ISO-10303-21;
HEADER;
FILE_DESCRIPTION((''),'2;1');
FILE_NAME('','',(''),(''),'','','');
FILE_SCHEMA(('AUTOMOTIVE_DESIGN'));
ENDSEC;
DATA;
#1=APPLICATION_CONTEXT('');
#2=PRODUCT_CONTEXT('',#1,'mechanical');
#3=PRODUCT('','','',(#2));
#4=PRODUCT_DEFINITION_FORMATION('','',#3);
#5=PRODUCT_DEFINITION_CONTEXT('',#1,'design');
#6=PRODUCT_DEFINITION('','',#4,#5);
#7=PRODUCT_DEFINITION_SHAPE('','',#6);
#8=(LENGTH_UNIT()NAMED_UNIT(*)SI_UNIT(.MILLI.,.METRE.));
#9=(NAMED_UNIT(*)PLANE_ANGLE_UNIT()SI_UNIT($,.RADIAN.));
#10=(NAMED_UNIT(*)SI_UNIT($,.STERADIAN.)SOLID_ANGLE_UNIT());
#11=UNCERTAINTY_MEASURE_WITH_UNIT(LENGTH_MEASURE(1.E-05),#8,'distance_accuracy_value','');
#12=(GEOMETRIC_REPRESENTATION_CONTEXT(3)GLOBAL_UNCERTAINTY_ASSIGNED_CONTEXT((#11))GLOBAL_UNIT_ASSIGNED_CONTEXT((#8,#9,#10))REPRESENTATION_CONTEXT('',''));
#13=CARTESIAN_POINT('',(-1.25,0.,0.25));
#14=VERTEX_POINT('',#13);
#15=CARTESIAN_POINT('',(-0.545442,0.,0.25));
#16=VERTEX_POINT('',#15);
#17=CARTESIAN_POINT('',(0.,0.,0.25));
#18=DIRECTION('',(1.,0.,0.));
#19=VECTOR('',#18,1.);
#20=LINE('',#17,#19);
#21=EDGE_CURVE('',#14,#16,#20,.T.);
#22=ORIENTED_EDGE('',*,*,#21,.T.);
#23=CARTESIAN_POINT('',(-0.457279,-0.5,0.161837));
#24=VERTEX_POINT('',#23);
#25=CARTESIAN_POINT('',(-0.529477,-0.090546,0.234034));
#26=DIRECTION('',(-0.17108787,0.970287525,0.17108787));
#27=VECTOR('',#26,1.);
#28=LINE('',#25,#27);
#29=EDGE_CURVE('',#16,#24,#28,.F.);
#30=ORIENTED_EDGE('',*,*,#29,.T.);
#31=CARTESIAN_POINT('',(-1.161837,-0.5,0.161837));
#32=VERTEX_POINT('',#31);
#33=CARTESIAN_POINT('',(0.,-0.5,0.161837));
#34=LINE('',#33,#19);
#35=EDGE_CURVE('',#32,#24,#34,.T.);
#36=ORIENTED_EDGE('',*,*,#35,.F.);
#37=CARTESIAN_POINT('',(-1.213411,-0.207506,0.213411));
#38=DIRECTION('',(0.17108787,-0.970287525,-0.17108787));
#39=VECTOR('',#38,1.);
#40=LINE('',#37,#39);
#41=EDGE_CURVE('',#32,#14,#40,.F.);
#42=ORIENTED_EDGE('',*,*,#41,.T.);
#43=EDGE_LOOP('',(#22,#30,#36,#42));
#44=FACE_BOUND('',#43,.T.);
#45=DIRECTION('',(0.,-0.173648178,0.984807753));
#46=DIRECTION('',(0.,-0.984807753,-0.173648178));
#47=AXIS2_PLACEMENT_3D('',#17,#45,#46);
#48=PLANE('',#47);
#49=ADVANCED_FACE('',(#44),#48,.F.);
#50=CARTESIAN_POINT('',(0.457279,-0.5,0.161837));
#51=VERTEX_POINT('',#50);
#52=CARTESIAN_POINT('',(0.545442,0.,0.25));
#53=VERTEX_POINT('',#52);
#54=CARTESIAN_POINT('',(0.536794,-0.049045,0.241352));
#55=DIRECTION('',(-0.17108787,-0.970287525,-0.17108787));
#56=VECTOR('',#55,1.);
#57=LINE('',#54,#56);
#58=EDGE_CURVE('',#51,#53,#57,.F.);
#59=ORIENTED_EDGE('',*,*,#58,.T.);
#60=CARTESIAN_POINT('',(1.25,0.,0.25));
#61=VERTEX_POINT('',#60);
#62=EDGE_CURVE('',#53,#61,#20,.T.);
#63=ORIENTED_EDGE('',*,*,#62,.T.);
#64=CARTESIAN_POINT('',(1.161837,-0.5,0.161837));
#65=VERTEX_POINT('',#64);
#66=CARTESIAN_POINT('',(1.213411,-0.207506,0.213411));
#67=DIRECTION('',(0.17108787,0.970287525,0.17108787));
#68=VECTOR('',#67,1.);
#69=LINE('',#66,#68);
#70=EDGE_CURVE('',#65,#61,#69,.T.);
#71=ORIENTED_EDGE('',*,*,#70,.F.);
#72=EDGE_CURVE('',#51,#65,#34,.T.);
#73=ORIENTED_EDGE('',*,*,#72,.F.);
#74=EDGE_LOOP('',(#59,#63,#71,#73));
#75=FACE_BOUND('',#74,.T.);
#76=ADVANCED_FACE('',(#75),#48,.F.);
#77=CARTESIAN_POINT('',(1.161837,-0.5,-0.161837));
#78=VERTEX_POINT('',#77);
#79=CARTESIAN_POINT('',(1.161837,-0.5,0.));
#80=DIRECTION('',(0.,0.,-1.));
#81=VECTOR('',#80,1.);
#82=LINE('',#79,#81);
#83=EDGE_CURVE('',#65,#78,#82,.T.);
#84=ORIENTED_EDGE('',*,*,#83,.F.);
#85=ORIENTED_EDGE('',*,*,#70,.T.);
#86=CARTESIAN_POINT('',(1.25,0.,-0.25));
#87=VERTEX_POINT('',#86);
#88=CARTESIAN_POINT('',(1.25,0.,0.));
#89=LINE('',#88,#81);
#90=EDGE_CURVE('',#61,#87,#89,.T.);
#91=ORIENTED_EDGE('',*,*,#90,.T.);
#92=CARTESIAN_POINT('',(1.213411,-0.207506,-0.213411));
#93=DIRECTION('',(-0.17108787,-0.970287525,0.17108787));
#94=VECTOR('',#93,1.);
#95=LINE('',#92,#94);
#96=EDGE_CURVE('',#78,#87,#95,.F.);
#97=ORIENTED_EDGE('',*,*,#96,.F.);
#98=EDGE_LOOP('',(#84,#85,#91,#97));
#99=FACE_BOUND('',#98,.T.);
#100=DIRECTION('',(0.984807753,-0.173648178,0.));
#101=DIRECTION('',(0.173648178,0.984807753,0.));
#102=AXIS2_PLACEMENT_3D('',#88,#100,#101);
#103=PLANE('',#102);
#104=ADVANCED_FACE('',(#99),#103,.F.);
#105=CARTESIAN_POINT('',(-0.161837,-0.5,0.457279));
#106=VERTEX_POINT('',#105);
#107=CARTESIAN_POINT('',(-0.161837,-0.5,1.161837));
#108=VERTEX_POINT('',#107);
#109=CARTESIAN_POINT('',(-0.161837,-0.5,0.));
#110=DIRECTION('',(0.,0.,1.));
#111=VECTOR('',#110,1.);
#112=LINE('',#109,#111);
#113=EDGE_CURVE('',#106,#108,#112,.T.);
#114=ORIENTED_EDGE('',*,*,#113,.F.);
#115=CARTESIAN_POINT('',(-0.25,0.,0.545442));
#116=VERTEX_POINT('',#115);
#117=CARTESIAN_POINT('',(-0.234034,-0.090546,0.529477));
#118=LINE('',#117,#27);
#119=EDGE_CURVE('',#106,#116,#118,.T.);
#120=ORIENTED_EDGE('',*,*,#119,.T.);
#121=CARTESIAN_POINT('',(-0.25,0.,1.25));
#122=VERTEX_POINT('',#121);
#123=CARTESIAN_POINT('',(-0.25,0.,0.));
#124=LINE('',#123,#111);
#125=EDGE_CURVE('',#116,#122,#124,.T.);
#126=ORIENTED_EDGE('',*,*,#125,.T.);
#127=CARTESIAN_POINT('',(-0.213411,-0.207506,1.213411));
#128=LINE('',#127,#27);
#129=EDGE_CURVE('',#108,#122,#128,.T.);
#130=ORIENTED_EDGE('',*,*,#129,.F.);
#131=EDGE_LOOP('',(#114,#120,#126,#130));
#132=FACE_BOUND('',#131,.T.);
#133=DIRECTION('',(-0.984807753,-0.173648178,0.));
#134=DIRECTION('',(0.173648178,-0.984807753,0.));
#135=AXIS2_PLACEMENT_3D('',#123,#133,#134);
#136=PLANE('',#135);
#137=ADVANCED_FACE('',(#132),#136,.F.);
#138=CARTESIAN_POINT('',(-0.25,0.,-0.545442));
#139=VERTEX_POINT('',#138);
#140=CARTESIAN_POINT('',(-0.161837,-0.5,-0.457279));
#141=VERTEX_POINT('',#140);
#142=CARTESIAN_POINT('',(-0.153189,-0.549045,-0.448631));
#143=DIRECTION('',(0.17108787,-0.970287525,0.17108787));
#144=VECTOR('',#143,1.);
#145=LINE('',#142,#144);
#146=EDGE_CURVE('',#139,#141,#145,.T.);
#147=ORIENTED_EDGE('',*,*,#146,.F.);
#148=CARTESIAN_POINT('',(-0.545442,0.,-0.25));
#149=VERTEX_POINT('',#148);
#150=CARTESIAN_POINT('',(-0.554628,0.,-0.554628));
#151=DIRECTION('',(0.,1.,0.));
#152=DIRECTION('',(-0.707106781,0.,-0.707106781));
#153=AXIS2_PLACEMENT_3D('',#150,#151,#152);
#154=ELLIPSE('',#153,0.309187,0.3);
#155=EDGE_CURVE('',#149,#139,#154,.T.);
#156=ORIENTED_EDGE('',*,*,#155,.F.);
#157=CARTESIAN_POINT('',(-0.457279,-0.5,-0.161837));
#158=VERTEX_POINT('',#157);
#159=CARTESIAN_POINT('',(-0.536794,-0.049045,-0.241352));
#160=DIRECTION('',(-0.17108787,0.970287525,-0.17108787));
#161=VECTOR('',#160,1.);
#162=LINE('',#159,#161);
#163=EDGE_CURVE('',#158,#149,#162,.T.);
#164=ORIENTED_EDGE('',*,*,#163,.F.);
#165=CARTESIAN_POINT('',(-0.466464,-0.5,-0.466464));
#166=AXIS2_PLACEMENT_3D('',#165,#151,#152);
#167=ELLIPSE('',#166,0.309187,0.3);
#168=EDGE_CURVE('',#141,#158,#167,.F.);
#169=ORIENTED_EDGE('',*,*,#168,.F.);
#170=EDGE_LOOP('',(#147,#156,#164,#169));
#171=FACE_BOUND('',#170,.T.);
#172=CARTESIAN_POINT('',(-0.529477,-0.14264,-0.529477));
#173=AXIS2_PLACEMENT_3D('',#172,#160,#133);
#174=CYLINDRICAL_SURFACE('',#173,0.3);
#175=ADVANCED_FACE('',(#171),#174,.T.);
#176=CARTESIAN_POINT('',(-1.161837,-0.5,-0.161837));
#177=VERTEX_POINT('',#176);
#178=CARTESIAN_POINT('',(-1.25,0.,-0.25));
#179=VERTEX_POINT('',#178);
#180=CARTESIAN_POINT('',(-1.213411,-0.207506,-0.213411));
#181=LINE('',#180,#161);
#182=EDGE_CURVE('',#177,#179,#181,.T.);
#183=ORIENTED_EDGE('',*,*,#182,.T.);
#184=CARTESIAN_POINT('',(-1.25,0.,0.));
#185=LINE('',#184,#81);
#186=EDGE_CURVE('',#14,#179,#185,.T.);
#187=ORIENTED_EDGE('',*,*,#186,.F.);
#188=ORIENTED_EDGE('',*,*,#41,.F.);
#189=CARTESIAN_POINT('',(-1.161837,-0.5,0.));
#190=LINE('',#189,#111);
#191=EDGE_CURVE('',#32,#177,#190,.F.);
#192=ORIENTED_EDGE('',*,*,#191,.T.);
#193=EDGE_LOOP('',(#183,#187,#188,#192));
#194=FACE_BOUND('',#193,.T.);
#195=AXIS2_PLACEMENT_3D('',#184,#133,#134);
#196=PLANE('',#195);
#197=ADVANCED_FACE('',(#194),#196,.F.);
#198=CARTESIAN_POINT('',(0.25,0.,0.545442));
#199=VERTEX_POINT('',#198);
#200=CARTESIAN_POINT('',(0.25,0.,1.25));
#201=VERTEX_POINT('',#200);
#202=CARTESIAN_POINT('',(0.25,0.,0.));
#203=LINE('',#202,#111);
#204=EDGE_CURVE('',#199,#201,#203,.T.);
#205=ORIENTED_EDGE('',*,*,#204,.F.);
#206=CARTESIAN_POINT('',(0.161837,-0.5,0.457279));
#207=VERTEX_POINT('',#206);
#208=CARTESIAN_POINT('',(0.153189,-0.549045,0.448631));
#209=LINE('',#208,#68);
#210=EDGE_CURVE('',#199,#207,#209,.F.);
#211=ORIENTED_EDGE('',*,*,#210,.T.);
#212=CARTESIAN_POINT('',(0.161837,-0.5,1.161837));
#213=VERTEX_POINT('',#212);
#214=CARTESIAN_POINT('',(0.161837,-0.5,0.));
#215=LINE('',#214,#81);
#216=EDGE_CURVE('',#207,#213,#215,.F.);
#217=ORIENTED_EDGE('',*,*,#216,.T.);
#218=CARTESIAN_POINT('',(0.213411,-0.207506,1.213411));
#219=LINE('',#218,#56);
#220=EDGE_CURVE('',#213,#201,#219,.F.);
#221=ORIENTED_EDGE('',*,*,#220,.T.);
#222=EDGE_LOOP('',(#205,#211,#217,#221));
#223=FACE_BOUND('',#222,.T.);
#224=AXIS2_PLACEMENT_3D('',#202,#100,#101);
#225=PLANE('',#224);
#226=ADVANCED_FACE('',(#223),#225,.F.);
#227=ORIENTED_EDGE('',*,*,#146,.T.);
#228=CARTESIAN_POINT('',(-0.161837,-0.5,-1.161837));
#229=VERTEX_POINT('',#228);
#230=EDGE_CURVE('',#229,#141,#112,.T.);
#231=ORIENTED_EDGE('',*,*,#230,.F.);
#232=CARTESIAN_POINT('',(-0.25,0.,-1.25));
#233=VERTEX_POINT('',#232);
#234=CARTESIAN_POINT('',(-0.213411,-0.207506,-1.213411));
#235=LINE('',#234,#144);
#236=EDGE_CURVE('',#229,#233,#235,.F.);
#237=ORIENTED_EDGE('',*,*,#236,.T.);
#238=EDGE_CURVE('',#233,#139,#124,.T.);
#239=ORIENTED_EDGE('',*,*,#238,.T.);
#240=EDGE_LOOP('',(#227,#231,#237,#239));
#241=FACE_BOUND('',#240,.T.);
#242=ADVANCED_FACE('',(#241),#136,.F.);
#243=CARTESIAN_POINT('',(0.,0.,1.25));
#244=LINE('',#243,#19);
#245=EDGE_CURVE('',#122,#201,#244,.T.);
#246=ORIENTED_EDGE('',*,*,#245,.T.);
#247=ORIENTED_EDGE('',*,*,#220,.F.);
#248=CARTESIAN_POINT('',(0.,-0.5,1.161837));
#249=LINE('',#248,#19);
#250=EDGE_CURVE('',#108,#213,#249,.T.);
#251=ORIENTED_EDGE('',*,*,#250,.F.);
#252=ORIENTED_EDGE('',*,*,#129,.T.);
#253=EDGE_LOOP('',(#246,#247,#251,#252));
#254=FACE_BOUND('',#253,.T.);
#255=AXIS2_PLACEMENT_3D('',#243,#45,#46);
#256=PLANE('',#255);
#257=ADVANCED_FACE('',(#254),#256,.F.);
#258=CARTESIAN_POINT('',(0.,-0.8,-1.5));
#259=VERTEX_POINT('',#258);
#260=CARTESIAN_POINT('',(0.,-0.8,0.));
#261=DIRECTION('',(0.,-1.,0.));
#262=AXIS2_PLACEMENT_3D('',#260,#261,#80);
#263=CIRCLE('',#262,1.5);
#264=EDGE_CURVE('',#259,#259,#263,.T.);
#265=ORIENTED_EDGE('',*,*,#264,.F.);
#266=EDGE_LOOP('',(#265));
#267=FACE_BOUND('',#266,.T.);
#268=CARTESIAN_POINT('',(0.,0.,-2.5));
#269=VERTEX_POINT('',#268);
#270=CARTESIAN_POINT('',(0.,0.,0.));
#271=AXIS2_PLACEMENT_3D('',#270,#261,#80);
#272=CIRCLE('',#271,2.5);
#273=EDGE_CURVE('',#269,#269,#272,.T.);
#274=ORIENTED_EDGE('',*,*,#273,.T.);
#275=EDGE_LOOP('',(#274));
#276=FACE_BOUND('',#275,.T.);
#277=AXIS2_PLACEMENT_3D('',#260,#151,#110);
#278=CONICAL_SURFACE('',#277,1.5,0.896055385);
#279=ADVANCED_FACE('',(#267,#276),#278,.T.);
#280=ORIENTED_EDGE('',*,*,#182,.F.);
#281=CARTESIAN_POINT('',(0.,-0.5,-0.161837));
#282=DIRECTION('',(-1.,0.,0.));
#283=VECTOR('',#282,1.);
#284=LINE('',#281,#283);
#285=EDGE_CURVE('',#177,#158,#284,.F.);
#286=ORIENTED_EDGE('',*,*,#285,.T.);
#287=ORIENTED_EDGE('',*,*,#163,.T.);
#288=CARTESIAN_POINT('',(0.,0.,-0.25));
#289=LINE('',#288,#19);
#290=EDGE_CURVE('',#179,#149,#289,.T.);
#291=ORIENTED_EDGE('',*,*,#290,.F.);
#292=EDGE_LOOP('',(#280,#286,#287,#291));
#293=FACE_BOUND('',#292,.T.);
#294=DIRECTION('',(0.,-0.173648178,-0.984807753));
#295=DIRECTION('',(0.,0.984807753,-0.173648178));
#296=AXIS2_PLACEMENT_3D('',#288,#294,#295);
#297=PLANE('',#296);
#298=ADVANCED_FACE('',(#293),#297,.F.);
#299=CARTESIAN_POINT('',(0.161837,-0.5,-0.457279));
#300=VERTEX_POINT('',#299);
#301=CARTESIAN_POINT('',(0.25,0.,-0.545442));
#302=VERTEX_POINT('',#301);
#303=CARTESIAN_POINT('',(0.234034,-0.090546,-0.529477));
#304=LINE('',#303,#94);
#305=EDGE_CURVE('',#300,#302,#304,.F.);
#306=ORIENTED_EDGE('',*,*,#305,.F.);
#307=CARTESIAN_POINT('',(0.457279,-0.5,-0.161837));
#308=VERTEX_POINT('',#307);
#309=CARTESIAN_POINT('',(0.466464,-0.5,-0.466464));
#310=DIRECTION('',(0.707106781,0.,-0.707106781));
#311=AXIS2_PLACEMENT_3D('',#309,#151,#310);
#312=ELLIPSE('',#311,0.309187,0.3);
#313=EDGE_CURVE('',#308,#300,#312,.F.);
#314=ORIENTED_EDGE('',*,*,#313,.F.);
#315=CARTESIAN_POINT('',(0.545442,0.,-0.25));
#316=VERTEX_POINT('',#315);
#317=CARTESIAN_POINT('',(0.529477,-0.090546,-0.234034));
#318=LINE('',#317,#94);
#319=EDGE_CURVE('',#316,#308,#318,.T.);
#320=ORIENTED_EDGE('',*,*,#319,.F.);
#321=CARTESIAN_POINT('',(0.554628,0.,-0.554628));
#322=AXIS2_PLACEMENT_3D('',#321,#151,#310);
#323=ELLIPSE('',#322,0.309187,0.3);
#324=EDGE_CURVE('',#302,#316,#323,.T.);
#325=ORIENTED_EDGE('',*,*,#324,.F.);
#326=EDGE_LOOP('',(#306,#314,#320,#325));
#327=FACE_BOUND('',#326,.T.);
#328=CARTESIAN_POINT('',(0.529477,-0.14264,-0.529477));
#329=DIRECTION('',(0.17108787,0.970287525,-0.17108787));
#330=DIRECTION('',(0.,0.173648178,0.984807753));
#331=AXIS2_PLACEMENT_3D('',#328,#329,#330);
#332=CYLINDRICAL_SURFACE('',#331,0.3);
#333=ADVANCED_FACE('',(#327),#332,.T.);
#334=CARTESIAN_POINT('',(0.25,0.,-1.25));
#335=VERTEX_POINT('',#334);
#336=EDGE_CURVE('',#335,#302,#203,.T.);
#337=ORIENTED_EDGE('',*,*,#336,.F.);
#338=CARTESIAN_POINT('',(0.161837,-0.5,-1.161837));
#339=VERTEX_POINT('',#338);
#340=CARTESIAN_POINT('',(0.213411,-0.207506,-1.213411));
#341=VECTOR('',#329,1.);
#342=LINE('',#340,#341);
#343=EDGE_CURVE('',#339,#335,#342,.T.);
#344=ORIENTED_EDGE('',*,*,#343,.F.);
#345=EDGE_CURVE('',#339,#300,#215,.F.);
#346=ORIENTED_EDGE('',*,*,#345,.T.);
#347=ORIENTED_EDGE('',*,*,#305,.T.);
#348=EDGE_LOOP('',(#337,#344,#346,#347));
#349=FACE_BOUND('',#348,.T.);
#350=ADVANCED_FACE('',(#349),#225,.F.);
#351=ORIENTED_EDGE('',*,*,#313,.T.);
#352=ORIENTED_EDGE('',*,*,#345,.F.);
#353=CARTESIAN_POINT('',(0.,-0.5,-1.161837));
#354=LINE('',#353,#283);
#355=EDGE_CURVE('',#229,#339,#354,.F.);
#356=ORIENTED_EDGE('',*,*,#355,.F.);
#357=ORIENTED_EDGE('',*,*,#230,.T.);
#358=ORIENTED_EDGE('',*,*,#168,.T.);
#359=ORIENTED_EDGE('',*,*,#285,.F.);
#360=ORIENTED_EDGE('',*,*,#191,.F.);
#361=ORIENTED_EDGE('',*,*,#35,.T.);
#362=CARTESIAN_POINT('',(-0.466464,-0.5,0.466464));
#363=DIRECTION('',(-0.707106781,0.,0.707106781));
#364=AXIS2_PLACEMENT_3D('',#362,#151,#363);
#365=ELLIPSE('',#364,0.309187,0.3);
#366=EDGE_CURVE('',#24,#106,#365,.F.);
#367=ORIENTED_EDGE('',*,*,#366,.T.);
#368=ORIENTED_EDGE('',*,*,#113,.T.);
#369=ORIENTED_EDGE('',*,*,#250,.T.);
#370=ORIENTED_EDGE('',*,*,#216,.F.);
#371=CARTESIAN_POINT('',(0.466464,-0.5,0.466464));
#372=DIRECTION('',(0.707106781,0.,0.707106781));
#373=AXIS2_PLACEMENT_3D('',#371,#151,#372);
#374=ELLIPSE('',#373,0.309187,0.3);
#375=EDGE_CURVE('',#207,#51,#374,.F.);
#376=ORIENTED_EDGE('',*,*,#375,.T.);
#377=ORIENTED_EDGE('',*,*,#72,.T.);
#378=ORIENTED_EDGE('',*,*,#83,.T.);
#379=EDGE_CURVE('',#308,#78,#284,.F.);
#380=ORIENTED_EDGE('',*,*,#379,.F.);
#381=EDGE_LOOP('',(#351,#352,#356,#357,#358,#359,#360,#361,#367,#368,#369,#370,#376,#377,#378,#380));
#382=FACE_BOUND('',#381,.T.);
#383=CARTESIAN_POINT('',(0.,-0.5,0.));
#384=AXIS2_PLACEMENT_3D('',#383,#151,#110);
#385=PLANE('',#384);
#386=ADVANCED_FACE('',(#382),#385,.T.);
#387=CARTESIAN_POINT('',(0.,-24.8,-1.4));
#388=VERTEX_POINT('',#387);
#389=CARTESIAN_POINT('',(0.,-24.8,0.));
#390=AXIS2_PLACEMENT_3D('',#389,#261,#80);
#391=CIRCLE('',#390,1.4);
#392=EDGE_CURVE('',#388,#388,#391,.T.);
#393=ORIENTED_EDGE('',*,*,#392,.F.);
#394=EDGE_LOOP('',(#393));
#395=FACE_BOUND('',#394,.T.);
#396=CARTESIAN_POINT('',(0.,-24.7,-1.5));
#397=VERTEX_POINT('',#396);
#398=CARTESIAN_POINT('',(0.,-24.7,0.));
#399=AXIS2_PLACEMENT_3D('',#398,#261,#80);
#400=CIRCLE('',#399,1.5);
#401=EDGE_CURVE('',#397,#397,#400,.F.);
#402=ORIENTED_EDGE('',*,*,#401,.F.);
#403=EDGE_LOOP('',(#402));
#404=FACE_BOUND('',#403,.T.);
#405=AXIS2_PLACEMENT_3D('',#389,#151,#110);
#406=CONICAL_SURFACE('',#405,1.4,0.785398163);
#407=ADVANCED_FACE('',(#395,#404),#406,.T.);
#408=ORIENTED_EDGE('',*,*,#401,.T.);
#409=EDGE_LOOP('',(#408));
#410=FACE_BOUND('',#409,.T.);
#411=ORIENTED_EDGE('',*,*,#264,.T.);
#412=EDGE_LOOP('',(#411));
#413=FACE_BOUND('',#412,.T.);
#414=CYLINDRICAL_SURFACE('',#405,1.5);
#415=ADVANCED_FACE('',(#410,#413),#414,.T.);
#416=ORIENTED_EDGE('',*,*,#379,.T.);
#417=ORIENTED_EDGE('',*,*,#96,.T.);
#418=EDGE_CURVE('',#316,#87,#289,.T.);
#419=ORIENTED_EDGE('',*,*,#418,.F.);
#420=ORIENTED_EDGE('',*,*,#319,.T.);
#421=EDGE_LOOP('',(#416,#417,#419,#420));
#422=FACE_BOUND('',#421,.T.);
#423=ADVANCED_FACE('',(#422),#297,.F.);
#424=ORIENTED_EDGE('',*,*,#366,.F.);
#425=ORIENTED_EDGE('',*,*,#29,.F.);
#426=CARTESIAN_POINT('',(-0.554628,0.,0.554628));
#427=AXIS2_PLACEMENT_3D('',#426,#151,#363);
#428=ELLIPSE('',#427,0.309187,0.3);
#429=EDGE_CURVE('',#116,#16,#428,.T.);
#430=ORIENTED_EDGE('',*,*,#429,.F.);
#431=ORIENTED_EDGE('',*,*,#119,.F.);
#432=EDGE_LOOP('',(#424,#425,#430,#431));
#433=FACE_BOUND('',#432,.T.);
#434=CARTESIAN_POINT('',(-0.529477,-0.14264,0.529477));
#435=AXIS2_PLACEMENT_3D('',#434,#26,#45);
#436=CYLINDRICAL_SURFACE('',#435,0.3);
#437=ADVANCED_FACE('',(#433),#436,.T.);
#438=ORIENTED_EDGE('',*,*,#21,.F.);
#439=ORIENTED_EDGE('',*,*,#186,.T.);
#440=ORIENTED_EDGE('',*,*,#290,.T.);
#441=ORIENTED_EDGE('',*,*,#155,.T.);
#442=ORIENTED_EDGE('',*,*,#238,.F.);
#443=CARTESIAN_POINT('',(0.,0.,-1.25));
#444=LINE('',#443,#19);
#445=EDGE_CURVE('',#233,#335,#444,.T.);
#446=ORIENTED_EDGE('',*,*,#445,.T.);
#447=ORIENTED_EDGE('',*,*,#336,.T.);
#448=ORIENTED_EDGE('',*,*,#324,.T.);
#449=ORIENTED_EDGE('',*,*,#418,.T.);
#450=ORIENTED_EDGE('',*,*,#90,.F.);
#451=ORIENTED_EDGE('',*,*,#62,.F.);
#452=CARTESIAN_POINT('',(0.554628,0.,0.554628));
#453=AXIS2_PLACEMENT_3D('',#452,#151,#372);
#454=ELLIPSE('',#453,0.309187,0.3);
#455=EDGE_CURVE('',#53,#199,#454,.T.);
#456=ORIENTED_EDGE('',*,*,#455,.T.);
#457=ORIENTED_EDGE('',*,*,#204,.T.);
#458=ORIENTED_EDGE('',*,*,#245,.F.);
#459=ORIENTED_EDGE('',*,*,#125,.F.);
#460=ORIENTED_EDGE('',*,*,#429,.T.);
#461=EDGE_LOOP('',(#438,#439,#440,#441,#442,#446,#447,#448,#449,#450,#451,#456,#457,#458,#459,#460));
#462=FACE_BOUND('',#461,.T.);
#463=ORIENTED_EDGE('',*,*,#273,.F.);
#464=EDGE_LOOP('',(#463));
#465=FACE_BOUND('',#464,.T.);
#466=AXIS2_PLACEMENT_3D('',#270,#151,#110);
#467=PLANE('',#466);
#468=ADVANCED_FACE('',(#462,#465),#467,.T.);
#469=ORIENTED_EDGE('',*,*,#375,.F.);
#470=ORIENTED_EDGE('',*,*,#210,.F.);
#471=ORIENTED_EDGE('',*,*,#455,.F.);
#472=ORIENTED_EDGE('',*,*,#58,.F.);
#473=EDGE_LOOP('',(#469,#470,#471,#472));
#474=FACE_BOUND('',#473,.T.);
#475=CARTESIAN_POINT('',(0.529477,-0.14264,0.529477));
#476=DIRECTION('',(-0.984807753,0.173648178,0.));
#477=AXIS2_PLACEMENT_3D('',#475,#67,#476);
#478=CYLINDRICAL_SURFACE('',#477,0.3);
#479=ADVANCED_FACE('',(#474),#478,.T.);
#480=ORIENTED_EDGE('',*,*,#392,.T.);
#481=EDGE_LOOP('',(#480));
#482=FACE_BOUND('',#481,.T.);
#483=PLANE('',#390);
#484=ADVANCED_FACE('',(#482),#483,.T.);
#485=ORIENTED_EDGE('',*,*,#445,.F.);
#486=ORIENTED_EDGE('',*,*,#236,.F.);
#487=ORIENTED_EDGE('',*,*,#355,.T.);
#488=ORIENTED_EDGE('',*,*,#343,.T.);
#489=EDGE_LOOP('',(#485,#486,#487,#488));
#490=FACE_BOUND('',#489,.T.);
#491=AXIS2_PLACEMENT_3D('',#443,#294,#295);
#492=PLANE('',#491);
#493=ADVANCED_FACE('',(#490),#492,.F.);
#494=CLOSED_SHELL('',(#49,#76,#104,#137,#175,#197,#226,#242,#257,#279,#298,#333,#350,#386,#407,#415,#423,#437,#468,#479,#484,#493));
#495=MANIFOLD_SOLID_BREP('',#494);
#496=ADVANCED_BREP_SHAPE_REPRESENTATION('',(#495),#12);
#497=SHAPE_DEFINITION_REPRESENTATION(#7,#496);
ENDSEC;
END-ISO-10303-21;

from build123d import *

# Parameters (mm, degrees)
SKETCH_2_R                    = 1.5
EXTRUDE_1_DEPTH               = 24
CHAMFER_1_SIZE                = 0.1
SKETCH_3_W                    = 2.5
SKETCH_3_H                    = 0.5
CUT_EXTRUDE_1_DEPTH           = 0.5
CUT_EXTRUDE_1_DRAFT           = -10
SKETCH_3_W_2                  = 0.5
SKETCH_3_H_2                  = 2.5
CUT_EXTRUDE_1_PROFILE_2_DEPTH = 0.5
CUT_EXTRUDE_1_PROFILE_2_DRAFT = -10
FILLET_1_R                    = 0.3


with BuildPart() as part:
    # 草图1 → 旋转1 (revolve)
    with BuildSketch(Plane.XY, mode=Mode.PRIVATE) as revolve_1_sk:
        Polygon((0, 0), (2.5, 0), (1.5, -0.8), (0, -0.8), align=None)
    revolve(revolve_1_sk.sketch.rotate(Axis((0, -0.8, 0), (0, 1, 0)), 90), axis=Axis((0, -0.8, 0), (0, 1, 0)))

    # 草图2 → 凸台-拉伸1 (add)
    with BuildSketch(Plane.XZ.offset(0.8)):
        with Locations(Location((0, 0, 0), (0, 0, 270))):
            Circle(SKETCH_2_R)
    extrude(amount=EXTRUDE_1_DEPTH)

    # 倒角1
    chamfer_1_edges = [part.edges().sort_by_distance(p)[0] for p in [
        (0, -24.8, 1.5),
    ]]
    chamfer(chamfer_1_edges, length=CHAMFER_1_SIZE)


with BuildPart() as cut_extrude_1_tool:
    # 草图3 → 切除-拉伸1 (with draft: the straight prism first)
    with BuildSketch(Plane(origin=(0, 0, 0), x_dir=(1, 0, 0), z_dir=(0, 1, 0))):
        Rectangle(SKETCH_3_W, SKETCH_3_H)
    extrude(amount=-CUT_EXTRUDE_1_DEPTH)
    # 切除-拉伸1: the draft: its side faces are tilted about the plane it starts from
    cut_extrude_1_sides = [cut_extrude_1_tool.faces().sort_by_distance(p)[0] for p in [
        (0, -0.25, 0.25),
        (1.25, -0.25, 0),
        (0, -0.25, -0.25),
        (-1.25, -0.25, 0),
    ]]
    draft(cut_extrude_1_sides, Plane(origin=(0, 0, 0), x_dir=(1, 0, 0), z_dir=(0, 1, 0)), CUT_EXTRUDE_1_DRAFT)


with BuildPart() as part_1:
    add(part.part)

    # 切除-拉伸1: cut by cut_extrude_1_tool
    add(cut_extrude_1_tool.part, mode=Mode.SUBTRACT)


with BuildPart() as cut_extrude_1_profile_2_tool:
    # 草图3 → 切除-拉伸1 profile 2 (with draft: the straight prism first)
    with BuildSketch(Plane(origin=(0, 0, 0), x_dir=(1, 0, 0), z_dir=(0, 1, 0))):
        Rectangle(SKETCH_3_W_2, SKETCH_3_H_2)
    extrude(amount=-CUT_EXTRUDE_1_PROFILE_2_DEPTH)
    # 切除-拉伸1 profile 2: the draft: its side faces are tilted about the plane it starts from
    cut_extrude_1_profile_2_sides = [cut_extrude_1_profile_2_tool.faces().sort_by_distance(p)[0] for p in [
        (-0.25, -0.25, 0),
        (0, -0.25, 1.25),
        (0.25, -0.25, 0),
        (0, -0.25, -1.25),
    ]]
    draft(cut_extrude_1_profile_2_sides, Plane(origin=(0, 0, 0), x_dir=(1, 0, 0), z_dir=(0, 1, 0)), CUT_EXTRUDE_1_PROFILE_2_DRAFT)


with BuildPart() as part_2:
    add(part_1.part)

    # 切除-拉伸1 profile 2: cut by cut_extrude_1_profile_2_tool
    add(cut_extrude_1_profile_2_tool.part, mode=Mode.SUBTRACT)

    # 圆角1
    fillet_1_edges = [part_2.edges().sort_by_distance(p)[0] for p in [
        (0.205918255, -0.25, -0.205918255),
        (0.205918255, -0.25, 0.205918255),
        (-0.205918255, -0.25, 0.205918255),
        (-0.205918255, -0.25, -0.205918255),
    ]]
    fillet(fillet_1_edges, radius=FILLET_1_R)


solid = part_2.part
